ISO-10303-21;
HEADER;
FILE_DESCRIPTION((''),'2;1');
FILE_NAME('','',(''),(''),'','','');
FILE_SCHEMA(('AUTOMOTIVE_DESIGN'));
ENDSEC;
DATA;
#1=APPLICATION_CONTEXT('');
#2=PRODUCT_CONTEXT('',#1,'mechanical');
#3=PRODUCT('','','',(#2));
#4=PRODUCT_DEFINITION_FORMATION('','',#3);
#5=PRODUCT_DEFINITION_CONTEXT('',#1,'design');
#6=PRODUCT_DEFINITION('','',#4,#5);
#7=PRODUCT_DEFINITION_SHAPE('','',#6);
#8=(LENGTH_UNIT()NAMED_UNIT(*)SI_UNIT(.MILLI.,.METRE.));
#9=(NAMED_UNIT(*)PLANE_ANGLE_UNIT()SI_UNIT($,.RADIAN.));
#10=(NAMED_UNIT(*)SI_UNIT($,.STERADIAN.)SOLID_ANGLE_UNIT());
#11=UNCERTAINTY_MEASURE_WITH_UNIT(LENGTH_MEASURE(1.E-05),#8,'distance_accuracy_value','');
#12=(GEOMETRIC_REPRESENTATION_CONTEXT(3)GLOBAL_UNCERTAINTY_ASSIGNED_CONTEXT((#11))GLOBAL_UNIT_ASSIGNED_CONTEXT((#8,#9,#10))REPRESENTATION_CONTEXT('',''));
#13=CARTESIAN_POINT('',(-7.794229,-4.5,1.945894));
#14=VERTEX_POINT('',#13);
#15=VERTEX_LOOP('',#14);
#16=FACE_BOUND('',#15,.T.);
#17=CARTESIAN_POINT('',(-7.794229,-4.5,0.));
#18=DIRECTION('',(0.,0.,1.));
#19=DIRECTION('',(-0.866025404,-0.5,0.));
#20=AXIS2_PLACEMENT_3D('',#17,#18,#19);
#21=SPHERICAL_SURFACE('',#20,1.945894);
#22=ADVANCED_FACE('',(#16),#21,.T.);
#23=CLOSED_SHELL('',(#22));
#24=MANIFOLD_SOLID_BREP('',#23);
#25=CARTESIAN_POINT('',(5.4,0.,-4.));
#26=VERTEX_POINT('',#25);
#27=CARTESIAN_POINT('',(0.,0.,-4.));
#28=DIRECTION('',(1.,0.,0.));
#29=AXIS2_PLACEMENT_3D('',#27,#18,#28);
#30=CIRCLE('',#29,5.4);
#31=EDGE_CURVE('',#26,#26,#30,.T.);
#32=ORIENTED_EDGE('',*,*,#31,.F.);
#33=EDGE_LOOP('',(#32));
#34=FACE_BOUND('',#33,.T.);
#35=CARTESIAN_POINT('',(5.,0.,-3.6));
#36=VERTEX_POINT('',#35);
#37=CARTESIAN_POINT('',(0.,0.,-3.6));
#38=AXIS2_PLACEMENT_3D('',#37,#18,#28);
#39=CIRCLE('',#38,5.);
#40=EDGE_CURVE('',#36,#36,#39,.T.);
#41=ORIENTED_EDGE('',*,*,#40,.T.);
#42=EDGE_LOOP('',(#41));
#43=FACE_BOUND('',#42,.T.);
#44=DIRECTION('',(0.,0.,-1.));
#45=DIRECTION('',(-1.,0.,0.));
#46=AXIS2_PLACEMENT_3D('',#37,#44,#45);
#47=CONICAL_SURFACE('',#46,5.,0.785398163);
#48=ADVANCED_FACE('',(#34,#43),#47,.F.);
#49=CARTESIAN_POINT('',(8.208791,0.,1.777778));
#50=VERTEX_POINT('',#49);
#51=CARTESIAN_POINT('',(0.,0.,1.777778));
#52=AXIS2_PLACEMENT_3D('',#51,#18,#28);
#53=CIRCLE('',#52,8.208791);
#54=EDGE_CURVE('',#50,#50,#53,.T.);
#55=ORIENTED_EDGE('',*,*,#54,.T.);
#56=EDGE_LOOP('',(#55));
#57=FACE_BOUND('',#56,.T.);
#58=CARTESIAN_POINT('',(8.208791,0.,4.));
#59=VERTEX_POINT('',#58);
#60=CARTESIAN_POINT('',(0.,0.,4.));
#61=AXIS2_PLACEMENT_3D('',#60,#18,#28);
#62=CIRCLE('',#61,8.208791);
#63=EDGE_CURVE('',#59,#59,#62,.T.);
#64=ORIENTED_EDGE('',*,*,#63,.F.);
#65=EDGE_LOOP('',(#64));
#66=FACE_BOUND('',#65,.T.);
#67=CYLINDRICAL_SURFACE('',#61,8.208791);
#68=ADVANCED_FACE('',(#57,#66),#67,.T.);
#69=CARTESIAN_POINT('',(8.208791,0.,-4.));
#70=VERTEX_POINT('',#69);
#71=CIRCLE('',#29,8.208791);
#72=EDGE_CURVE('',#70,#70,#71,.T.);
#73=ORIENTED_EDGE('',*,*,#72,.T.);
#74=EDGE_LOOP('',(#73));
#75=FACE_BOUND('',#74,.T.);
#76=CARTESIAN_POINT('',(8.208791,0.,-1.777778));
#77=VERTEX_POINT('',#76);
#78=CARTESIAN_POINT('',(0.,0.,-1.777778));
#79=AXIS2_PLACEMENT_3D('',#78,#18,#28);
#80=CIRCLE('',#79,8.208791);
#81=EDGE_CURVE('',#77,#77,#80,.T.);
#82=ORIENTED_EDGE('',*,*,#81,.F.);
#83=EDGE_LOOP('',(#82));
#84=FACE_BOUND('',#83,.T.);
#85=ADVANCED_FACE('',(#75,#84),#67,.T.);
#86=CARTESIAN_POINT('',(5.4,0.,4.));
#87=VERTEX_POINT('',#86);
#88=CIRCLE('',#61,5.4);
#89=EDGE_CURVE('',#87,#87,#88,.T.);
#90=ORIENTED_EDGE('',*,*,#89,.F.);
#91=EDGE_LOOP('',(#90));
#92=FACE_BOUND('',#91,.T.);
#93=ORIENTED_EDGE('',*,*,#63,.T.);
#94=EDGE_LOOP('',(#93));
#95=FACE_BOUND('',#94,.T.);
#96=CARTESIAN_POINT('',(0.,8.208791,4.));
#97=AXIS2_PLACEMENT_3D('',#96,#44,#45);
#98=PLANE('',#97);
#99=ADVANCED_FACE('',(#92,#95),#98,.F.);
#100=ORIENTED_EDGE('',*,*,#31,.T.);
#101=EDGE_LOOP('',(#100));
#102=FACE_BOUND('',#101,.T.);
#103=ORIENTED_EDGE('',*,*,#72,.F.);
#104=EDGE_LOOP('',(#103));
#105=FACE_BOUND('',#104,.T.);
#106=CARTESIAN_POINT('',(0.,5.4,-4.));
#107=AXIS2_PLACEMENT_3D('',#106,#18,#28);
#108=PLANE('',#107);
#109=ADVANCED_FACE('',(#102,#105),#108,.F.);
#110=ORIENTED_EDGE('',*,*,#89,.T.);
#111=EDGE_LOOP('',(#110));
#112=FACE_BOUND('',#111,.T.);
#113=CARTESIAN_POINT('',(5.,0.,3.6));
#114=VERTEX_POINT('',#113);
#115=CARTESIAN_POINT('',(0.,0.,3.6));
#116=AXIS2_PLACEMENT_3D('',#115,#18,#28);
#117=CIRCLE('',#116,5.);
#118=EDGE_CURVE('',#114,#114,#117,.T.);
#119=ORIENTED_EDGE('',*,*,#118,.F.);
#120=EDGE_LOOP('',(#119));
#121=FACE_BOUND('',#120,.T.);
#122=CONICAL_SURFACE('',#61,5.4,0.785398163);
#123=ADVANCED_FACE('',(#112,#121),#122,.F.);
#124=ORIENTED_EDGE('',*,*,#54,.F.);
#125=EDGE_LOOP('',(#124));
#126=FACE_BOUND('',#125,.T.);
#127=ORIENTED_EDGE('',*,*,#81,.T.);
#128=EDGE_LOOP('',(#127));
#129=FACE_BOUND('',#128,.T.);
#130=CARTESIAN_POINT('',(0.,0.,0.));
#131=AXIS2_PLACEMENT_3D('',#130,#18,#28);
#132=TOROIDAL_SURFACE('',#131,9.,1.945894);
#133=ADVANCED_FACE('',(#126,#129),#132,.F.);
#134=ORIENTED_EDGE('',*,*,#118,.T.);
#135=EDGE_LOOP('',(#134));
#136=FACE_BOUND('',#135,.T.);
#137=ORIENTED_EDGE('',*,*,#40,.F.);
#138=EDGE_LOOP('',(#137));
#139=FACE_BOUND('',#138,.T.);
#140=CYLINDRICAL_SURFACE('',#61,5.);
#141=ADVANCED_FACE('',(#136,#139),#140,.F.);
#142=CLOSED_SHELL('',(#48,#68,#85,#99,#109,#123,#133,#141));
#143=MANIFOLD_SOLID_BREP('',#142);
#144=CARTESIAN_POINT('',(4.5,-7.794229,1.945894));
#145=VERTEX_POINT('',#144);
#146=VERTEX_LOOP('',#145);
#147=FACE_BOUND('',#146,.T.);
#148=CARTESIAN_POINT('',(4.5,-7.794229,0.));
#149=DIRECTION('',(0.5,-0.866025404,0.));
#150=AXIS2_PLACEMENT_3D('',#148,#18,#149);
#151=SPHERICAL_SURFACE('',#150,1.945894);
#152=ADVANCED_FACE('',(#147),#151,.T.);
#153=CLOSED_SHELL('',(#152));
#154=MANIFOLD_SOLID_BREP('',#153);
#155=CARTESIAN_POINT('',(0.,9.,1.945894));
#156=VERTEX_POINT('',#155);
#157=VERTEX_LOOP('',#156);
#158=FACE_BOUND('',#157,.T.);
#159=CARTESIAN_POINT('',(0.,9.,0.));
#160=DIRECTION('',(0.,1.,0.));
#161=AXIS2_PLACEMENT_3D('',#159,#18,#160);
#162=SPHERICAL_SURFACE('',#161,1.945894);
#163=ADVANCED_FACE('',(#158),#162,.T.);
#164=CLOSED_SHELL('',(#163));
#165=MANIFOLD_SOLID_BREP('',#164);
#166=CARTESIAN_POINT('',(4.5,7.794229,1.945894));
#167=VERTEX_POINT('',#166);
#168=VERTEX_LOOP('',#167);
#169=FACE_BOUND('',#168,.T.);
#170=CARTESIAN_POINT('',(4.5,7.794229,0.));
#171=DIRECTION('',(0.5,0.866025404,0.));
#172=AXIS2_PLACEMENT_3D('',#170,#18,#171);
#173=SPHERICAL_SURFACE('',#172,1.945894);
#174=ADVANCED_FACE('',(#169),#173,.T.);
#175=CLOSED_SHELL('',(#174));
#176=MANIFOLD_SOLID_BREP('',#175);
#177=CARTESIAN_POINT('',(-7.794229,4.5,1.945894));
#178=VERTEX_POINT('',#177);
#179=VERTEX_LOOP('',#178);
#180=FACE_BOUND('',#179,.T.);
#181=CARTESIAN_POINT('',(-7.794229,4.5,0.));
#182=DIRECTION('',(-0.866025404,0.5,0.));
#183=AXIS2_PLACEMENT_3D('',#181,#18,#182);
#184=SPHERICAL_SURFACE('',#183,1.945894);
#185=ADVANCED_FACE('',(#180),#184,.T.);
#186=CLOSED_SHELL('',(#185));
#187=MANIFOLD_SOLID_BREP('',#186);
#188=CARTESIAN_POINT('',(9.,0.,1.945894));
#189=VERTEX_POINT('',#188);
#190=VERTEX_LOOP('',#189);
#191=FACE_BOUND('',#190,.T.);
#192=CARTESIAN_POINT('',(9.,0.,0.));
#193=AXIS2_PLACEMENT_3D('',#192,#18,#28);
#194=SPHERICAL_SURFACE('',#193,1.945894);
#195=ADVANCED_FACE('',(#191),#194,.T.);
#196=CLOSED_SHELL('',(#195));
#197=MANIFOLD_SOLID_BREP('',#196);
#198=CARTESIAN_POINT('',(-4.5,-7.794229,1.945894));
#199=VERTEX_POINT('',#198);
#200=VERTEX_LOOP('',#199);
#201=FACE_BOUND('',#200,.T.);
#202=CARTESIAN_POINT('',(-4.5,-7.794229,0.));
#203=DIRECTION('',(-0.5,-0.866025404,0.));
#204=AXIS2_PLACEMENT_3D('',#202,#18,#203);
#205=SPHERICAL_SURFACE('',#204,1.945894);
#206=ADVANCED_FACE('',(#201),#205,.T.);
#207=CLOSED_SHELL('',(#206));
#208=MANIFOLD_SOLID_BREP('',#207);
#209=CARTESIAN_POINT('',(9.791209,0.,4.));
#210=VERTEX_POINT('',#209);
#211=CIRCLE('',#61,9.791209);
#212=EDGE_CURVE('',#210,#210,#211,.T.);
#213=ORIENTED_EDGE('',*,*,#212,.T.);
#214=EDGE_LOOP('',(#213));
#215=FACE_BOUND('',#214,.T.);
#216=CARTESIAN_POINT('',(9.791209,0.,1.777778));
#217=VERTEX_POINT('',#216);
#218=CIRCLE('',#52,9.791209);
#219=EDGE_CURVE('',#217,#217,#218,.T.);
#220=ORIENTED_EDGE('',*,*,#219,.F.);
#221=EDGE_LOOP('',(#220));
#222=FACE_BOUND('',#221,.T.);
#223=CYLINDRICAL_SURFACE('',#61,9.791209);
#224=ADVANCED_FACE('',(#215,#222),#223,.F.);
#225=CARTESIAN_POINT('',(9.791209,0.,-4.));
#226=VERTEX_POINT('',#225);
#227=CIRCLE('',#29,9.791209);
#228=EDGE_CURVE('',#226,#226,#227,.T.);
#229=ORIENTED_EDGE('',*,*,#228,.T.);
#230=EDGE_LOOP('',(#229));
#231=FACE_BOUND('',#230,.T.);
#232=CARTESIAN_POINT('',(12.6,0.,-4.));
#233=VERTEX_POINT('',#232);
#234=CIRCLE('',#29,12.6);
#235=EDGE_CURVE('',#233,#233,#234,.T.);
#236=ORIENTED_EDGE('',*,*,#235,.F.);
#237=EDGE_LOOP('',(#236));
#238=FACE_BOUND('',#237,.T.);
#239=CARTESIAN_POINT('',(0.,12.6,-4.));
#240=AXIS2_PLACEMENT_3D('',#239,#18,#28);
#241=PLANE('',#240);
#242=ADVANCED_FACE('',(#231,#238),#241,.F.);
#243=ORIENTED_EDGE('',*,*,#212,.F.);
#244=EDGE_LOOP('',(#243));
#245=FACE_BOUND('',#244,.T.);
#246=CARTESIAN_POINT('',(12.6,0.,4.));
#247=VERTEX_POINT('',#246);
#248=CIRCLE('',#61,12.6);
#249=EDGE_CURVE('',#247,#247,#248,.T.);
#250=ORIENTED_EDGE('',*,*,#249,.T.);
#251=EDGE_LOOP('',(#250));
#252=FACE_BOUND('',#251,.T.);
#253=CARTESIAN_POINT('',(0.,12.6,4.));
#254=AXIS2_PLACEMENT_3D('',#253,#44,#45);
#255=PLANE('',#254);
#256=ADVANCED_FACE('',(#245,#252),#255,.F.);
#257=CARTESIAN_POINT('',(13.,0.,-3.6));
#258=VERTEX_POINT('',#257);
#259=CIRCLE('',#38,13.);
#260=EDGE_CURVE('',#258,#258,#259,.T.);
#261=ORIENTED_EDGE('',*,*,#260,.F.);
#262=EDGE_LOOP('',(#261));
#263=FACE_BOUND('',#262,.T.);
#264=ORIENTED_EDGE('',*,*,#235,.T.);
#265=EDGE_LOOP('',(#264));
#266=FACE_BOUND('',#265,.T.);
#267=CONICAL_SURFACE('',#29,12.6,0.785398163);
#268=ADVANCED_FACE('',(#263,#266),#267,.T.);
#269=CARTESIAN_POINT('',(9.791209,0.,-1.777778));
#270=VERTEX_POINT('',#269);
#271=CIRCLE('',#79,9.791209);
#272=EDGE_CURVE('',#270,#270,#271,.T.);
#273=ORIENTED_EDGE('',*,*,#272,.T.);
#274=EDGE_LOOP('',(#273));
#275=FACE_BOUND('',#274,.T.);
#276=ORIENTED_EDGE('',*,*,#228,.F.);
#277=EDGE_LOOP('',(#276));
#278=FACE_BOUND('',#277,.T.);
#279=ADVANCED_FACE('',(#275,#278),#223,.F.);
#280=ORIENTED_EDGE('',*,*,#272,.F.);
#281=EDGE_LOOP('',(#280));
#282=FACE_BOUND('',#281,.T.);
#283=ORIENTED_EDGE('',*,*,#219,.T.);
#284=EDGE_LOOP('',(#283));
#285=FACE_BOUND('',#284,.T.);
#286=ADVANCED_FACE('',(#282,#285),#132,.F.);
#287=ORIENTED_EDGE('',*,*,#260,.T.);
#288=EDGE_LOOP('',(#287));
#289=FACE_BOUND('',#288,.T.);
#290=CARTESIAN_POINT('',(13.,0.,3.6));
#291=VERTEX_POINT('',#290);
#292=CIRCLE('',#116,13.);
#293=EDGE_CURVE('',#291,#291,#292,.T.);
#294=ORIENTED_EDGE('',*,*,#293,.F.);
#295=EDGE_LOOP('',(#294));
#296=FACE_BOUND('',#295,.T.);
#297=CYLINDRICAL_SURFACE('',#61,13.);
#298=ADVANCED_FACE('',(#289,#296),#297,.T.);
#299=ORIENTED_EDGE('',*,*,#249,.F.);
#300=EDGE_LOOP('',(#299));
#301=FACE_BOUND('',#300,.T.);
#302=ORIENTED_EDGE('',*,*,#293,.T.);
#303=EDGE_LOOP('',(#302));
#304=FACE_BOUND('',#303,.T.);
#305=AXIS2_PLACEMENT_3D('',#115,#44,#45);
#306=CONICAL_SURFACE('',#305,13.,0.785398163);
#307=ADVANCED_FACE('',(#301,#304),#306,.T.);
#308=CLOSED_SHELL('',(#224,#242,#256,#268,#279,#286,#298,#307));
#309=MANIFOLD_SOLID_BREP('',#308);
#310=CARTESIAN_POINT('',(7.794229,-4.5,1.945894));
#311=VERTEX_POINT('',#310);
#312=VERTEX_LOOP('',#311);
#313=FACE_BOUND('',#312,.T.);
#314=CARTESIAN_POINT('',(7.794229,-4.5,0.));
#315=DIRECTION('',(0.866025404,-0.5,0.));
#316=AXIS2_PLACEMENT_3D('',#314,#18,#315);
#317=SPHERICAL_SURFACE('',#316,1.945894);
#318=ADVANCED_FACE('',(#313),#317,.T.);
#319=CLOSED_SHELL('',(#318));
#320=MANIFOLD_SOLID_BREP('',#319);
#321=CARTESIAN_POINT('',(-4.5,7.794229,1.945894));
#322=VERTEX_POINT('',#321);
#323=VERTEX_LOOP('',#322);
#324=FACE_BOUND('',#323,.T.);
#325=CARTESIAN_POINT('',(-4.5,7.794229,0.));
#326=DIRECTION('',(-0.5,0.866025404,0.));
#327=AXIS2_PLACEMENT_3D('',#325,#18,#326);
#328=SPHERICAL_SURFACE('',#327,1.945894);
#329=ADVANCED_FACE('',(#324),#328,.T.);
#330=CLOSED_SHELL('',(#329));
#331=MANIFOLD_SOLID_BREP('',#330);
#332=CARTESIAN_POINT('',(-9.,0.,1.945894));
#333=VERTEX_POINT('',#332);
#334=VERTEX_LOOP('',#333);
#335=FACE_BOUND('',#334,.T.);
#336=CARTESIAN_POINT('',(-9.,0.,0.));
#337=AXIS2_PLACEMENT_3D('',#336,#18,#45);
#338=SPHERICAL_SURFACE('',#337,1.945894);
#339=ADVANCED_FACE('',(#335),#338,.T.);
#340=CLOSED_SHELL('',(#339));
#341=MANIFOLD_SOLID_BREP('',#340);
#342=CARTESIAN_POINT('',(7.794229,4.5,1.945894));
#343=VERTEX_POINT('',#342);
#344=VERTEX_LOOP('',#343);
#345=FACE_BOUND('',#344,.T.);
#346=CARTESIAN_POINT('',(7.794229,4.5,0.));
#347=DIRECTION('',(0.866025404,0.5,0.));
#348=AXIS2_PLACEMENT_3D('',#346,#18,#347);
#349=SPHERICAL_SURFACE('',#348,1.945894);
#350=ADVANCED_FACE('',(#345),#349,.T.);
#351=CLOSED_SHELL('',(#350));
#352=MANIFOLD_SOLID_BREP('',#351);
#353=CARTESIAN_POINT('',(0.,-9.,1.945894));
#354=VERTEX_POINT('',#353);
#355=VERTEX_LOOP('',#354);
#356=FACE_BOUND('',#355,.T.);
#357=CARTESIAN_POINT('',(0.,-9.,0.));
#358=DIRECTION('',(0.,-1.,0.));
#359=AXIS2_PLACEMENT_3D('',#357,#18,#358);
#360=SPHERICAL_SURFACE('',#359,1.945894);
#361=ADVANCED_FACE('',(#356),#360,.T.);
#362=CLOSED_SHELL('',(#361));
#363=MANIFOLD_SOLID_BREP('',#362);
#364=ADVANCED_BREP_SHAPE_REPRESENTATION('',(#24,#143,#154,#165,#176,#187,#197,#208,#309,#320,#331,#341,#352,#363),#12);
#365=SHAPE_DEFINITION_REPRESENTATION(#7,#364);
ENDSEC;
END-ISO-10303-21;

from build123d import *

# Parameters (mm, degrees)
CIRPATTERN1_COUNT = 12


with BuildPart() as part:
    # Sketch1 → Revolve1 (revolve)
    with BuildSketch(Plane(origin=(0, 0, 0), x_dir=(0, 0, -1), z_dir=(1, 0, 0)), mode=Mode.PRIVATE) as revolve1_sk:
        with BuildLine():
            Line((3.6, 13), (-3.6, 13))
            Line((-3.6, 13), (-4, 12.6))
            Line((-4, 12.6), (-4, 9.791208791))
            Line((-4, 9.791208791), (-1.777777778, 9.791208791))
            ThreePointArc((-1.777777778, 9.791208791), (0, 10.945894442), (1.777777778, 9.791208791))
            Line((1.777777778, 9.791208791), (4, 9.791208791))
            Line((4, 9.791208791), (4, 12.6))
            Line((4, 12.6), (3.6, 13))
        make_face()
    revolve(revolve1_sk.sketch.rotate(Axis((0, 0, 4), (0, 0, -1)), 90), axis=Axis((0, 0, 4), (0, 0, -1)))


with BuildPart() as body_2:
    # Sketch3 → Revolve3 (revolve)
    with BuildSketch(Plane(origin=(0, 0, 0), x_dir=(0, 0, -1), z_dir=(1, 0, 0)), mode=Mode.PRIVATE) as revolve3_sk:
        with BuildLine():
            Line((-4, 8.208791209), (-1.777777778, 8.208791209))
            ThreePointArc((-1.777777778, 8.208791209), (0, 7.054105558), (1.777777778, 8.208791209))
            Line((1.777777778, 8.208791209), (4, 8.208791209))
            Line((4, 8.208791209), (4, 5.4))
            Line((4, 5.4), (3.6, 5))
            Line((3.6, 5), (-3.6, 5))
            Line((-3.6, 5), (-4, 5.4))
            Line((-4, 5.4), (-4, 8.208791209))
        make_face()
    revolve(revolve3_sk.sketch.rotate(Axis((0, 0, 4), (0, 0, -1)), 90), axis=Axis((0, 0, 4), (0, 0, -1)))


with BuildPart() as body_3:
    # Sketch4 → Revolve4 (revolve)
    with BuildSketch(Plane(origin=(0, 0, 0), x_dir=(0, 0, -1), z_dir=(1, 0, 0))):
        with BuildLine():
            Line((-1.945894442, 9), (1.945894442, 9))
            ThreePointArc((1.945894442, 9), (0, 10.945894442), (-1.945894442, 9))
        make_face()
    revolve(axis=Axis((0, 9, 1.945894442), (0, 0, -1)))


with BuildPart() as cirpattern1_1:
    # CirPattern1: pattern copy
    add(body_3.part.rotate(Axis((0, 0, 0), (0, 0, 1)), 1 * 360 / CIRPATTERN1_COUNT))


with BuildPart() as cirpattern1_2:
    # CirPattern1: pattern copy
    add(body_3.part.rotate(Axis((0, 0, 0), (0, 0, 1)), 2 * 360 / CIRPATTERN1_COUNT))


with BuildPart() as cirpattern1_3:
    # CirPattern1: pattern copy
    add(body_3.part.rotate(Axis((0, 0, 0), (0, 0, 1)), 3 * 360 / CIRPATTERN1_COUNT))


with BuildPart() as cirpattern1_4:
    # CirPattern1: pattern copy
    add(body_3.part.rotate(Axis((0, 0, 0), (0, 0, 1)), 4 * 360 / CIRPATTERN1_COUNT))


with BuildPart() as cirpattern1_5:
    # CirPattern1: pattern copy
    add(body_3.part.rotate(Axis((0, 0, 0), (0, 0, 1)), 5 * 360 / CIRPATTERN1_COUNT))


with BuildPart() as cirpattern1_6:
    # CirPattern1: pattern copy
    add(body_3.part.rotate(Axis((0, 0, 0), (0, 0, 1)), 6 * 360 / CIRPATTERN1_COUNT))


with BuildPart() as cirpattern1_7:
    # CirPattern1: pattern copy
    add(body_3.part.rotate(Axis((0, 0, 0), (0, 0, 1)), 7 * 360 / CIRPATTERN1_COUNT))


with BuildPart() as cirpattern1_8:
    # CirPattern1: pattern copy
    add(body_3.part.rotate(Axis((0, 0, 0), (0, 0, 1)), 8 * 360 / CIRPATTERN1_COUNT))


with BuildPart() as cirpattern1_9:
    # CirPattern1: pattern copy
    add(body_3.part.rotate(Axis((0, 0, 0), (0, 0, 1)), 9 * 360 / CIRPATTERN1_COUNT))


with BuildPart() as cirpattern1_10:
    # CirPattern1: pattern copy
    add(body_3.part.rotate(Axis((0, 0, 0), (0, 0, 1)), 10 * 360 / CIRPATTERN1_COUNT))


with BuildPart() as cirpattern1_11:
    # CirPattern1: pattern copy
    add(body_3.part.rotate(Axis((0, 0, 0), (0, 0, 1)), 11 * 360 / CIRPATTERN1_COUNT))


solid = Compound([part.part, body_2.part, body_3.part, cirpattern1_1.part, cirpattern1_2.part, cirpattern1_3.part, cirpattern1_4.part, cirpattern1_5.part, cirpattern1_6.part, cirpattern1_7.part, cirpattern1_8.part, cirpattern1_9.part, cirpattern1_10.part, cirpattern1_11.part])
